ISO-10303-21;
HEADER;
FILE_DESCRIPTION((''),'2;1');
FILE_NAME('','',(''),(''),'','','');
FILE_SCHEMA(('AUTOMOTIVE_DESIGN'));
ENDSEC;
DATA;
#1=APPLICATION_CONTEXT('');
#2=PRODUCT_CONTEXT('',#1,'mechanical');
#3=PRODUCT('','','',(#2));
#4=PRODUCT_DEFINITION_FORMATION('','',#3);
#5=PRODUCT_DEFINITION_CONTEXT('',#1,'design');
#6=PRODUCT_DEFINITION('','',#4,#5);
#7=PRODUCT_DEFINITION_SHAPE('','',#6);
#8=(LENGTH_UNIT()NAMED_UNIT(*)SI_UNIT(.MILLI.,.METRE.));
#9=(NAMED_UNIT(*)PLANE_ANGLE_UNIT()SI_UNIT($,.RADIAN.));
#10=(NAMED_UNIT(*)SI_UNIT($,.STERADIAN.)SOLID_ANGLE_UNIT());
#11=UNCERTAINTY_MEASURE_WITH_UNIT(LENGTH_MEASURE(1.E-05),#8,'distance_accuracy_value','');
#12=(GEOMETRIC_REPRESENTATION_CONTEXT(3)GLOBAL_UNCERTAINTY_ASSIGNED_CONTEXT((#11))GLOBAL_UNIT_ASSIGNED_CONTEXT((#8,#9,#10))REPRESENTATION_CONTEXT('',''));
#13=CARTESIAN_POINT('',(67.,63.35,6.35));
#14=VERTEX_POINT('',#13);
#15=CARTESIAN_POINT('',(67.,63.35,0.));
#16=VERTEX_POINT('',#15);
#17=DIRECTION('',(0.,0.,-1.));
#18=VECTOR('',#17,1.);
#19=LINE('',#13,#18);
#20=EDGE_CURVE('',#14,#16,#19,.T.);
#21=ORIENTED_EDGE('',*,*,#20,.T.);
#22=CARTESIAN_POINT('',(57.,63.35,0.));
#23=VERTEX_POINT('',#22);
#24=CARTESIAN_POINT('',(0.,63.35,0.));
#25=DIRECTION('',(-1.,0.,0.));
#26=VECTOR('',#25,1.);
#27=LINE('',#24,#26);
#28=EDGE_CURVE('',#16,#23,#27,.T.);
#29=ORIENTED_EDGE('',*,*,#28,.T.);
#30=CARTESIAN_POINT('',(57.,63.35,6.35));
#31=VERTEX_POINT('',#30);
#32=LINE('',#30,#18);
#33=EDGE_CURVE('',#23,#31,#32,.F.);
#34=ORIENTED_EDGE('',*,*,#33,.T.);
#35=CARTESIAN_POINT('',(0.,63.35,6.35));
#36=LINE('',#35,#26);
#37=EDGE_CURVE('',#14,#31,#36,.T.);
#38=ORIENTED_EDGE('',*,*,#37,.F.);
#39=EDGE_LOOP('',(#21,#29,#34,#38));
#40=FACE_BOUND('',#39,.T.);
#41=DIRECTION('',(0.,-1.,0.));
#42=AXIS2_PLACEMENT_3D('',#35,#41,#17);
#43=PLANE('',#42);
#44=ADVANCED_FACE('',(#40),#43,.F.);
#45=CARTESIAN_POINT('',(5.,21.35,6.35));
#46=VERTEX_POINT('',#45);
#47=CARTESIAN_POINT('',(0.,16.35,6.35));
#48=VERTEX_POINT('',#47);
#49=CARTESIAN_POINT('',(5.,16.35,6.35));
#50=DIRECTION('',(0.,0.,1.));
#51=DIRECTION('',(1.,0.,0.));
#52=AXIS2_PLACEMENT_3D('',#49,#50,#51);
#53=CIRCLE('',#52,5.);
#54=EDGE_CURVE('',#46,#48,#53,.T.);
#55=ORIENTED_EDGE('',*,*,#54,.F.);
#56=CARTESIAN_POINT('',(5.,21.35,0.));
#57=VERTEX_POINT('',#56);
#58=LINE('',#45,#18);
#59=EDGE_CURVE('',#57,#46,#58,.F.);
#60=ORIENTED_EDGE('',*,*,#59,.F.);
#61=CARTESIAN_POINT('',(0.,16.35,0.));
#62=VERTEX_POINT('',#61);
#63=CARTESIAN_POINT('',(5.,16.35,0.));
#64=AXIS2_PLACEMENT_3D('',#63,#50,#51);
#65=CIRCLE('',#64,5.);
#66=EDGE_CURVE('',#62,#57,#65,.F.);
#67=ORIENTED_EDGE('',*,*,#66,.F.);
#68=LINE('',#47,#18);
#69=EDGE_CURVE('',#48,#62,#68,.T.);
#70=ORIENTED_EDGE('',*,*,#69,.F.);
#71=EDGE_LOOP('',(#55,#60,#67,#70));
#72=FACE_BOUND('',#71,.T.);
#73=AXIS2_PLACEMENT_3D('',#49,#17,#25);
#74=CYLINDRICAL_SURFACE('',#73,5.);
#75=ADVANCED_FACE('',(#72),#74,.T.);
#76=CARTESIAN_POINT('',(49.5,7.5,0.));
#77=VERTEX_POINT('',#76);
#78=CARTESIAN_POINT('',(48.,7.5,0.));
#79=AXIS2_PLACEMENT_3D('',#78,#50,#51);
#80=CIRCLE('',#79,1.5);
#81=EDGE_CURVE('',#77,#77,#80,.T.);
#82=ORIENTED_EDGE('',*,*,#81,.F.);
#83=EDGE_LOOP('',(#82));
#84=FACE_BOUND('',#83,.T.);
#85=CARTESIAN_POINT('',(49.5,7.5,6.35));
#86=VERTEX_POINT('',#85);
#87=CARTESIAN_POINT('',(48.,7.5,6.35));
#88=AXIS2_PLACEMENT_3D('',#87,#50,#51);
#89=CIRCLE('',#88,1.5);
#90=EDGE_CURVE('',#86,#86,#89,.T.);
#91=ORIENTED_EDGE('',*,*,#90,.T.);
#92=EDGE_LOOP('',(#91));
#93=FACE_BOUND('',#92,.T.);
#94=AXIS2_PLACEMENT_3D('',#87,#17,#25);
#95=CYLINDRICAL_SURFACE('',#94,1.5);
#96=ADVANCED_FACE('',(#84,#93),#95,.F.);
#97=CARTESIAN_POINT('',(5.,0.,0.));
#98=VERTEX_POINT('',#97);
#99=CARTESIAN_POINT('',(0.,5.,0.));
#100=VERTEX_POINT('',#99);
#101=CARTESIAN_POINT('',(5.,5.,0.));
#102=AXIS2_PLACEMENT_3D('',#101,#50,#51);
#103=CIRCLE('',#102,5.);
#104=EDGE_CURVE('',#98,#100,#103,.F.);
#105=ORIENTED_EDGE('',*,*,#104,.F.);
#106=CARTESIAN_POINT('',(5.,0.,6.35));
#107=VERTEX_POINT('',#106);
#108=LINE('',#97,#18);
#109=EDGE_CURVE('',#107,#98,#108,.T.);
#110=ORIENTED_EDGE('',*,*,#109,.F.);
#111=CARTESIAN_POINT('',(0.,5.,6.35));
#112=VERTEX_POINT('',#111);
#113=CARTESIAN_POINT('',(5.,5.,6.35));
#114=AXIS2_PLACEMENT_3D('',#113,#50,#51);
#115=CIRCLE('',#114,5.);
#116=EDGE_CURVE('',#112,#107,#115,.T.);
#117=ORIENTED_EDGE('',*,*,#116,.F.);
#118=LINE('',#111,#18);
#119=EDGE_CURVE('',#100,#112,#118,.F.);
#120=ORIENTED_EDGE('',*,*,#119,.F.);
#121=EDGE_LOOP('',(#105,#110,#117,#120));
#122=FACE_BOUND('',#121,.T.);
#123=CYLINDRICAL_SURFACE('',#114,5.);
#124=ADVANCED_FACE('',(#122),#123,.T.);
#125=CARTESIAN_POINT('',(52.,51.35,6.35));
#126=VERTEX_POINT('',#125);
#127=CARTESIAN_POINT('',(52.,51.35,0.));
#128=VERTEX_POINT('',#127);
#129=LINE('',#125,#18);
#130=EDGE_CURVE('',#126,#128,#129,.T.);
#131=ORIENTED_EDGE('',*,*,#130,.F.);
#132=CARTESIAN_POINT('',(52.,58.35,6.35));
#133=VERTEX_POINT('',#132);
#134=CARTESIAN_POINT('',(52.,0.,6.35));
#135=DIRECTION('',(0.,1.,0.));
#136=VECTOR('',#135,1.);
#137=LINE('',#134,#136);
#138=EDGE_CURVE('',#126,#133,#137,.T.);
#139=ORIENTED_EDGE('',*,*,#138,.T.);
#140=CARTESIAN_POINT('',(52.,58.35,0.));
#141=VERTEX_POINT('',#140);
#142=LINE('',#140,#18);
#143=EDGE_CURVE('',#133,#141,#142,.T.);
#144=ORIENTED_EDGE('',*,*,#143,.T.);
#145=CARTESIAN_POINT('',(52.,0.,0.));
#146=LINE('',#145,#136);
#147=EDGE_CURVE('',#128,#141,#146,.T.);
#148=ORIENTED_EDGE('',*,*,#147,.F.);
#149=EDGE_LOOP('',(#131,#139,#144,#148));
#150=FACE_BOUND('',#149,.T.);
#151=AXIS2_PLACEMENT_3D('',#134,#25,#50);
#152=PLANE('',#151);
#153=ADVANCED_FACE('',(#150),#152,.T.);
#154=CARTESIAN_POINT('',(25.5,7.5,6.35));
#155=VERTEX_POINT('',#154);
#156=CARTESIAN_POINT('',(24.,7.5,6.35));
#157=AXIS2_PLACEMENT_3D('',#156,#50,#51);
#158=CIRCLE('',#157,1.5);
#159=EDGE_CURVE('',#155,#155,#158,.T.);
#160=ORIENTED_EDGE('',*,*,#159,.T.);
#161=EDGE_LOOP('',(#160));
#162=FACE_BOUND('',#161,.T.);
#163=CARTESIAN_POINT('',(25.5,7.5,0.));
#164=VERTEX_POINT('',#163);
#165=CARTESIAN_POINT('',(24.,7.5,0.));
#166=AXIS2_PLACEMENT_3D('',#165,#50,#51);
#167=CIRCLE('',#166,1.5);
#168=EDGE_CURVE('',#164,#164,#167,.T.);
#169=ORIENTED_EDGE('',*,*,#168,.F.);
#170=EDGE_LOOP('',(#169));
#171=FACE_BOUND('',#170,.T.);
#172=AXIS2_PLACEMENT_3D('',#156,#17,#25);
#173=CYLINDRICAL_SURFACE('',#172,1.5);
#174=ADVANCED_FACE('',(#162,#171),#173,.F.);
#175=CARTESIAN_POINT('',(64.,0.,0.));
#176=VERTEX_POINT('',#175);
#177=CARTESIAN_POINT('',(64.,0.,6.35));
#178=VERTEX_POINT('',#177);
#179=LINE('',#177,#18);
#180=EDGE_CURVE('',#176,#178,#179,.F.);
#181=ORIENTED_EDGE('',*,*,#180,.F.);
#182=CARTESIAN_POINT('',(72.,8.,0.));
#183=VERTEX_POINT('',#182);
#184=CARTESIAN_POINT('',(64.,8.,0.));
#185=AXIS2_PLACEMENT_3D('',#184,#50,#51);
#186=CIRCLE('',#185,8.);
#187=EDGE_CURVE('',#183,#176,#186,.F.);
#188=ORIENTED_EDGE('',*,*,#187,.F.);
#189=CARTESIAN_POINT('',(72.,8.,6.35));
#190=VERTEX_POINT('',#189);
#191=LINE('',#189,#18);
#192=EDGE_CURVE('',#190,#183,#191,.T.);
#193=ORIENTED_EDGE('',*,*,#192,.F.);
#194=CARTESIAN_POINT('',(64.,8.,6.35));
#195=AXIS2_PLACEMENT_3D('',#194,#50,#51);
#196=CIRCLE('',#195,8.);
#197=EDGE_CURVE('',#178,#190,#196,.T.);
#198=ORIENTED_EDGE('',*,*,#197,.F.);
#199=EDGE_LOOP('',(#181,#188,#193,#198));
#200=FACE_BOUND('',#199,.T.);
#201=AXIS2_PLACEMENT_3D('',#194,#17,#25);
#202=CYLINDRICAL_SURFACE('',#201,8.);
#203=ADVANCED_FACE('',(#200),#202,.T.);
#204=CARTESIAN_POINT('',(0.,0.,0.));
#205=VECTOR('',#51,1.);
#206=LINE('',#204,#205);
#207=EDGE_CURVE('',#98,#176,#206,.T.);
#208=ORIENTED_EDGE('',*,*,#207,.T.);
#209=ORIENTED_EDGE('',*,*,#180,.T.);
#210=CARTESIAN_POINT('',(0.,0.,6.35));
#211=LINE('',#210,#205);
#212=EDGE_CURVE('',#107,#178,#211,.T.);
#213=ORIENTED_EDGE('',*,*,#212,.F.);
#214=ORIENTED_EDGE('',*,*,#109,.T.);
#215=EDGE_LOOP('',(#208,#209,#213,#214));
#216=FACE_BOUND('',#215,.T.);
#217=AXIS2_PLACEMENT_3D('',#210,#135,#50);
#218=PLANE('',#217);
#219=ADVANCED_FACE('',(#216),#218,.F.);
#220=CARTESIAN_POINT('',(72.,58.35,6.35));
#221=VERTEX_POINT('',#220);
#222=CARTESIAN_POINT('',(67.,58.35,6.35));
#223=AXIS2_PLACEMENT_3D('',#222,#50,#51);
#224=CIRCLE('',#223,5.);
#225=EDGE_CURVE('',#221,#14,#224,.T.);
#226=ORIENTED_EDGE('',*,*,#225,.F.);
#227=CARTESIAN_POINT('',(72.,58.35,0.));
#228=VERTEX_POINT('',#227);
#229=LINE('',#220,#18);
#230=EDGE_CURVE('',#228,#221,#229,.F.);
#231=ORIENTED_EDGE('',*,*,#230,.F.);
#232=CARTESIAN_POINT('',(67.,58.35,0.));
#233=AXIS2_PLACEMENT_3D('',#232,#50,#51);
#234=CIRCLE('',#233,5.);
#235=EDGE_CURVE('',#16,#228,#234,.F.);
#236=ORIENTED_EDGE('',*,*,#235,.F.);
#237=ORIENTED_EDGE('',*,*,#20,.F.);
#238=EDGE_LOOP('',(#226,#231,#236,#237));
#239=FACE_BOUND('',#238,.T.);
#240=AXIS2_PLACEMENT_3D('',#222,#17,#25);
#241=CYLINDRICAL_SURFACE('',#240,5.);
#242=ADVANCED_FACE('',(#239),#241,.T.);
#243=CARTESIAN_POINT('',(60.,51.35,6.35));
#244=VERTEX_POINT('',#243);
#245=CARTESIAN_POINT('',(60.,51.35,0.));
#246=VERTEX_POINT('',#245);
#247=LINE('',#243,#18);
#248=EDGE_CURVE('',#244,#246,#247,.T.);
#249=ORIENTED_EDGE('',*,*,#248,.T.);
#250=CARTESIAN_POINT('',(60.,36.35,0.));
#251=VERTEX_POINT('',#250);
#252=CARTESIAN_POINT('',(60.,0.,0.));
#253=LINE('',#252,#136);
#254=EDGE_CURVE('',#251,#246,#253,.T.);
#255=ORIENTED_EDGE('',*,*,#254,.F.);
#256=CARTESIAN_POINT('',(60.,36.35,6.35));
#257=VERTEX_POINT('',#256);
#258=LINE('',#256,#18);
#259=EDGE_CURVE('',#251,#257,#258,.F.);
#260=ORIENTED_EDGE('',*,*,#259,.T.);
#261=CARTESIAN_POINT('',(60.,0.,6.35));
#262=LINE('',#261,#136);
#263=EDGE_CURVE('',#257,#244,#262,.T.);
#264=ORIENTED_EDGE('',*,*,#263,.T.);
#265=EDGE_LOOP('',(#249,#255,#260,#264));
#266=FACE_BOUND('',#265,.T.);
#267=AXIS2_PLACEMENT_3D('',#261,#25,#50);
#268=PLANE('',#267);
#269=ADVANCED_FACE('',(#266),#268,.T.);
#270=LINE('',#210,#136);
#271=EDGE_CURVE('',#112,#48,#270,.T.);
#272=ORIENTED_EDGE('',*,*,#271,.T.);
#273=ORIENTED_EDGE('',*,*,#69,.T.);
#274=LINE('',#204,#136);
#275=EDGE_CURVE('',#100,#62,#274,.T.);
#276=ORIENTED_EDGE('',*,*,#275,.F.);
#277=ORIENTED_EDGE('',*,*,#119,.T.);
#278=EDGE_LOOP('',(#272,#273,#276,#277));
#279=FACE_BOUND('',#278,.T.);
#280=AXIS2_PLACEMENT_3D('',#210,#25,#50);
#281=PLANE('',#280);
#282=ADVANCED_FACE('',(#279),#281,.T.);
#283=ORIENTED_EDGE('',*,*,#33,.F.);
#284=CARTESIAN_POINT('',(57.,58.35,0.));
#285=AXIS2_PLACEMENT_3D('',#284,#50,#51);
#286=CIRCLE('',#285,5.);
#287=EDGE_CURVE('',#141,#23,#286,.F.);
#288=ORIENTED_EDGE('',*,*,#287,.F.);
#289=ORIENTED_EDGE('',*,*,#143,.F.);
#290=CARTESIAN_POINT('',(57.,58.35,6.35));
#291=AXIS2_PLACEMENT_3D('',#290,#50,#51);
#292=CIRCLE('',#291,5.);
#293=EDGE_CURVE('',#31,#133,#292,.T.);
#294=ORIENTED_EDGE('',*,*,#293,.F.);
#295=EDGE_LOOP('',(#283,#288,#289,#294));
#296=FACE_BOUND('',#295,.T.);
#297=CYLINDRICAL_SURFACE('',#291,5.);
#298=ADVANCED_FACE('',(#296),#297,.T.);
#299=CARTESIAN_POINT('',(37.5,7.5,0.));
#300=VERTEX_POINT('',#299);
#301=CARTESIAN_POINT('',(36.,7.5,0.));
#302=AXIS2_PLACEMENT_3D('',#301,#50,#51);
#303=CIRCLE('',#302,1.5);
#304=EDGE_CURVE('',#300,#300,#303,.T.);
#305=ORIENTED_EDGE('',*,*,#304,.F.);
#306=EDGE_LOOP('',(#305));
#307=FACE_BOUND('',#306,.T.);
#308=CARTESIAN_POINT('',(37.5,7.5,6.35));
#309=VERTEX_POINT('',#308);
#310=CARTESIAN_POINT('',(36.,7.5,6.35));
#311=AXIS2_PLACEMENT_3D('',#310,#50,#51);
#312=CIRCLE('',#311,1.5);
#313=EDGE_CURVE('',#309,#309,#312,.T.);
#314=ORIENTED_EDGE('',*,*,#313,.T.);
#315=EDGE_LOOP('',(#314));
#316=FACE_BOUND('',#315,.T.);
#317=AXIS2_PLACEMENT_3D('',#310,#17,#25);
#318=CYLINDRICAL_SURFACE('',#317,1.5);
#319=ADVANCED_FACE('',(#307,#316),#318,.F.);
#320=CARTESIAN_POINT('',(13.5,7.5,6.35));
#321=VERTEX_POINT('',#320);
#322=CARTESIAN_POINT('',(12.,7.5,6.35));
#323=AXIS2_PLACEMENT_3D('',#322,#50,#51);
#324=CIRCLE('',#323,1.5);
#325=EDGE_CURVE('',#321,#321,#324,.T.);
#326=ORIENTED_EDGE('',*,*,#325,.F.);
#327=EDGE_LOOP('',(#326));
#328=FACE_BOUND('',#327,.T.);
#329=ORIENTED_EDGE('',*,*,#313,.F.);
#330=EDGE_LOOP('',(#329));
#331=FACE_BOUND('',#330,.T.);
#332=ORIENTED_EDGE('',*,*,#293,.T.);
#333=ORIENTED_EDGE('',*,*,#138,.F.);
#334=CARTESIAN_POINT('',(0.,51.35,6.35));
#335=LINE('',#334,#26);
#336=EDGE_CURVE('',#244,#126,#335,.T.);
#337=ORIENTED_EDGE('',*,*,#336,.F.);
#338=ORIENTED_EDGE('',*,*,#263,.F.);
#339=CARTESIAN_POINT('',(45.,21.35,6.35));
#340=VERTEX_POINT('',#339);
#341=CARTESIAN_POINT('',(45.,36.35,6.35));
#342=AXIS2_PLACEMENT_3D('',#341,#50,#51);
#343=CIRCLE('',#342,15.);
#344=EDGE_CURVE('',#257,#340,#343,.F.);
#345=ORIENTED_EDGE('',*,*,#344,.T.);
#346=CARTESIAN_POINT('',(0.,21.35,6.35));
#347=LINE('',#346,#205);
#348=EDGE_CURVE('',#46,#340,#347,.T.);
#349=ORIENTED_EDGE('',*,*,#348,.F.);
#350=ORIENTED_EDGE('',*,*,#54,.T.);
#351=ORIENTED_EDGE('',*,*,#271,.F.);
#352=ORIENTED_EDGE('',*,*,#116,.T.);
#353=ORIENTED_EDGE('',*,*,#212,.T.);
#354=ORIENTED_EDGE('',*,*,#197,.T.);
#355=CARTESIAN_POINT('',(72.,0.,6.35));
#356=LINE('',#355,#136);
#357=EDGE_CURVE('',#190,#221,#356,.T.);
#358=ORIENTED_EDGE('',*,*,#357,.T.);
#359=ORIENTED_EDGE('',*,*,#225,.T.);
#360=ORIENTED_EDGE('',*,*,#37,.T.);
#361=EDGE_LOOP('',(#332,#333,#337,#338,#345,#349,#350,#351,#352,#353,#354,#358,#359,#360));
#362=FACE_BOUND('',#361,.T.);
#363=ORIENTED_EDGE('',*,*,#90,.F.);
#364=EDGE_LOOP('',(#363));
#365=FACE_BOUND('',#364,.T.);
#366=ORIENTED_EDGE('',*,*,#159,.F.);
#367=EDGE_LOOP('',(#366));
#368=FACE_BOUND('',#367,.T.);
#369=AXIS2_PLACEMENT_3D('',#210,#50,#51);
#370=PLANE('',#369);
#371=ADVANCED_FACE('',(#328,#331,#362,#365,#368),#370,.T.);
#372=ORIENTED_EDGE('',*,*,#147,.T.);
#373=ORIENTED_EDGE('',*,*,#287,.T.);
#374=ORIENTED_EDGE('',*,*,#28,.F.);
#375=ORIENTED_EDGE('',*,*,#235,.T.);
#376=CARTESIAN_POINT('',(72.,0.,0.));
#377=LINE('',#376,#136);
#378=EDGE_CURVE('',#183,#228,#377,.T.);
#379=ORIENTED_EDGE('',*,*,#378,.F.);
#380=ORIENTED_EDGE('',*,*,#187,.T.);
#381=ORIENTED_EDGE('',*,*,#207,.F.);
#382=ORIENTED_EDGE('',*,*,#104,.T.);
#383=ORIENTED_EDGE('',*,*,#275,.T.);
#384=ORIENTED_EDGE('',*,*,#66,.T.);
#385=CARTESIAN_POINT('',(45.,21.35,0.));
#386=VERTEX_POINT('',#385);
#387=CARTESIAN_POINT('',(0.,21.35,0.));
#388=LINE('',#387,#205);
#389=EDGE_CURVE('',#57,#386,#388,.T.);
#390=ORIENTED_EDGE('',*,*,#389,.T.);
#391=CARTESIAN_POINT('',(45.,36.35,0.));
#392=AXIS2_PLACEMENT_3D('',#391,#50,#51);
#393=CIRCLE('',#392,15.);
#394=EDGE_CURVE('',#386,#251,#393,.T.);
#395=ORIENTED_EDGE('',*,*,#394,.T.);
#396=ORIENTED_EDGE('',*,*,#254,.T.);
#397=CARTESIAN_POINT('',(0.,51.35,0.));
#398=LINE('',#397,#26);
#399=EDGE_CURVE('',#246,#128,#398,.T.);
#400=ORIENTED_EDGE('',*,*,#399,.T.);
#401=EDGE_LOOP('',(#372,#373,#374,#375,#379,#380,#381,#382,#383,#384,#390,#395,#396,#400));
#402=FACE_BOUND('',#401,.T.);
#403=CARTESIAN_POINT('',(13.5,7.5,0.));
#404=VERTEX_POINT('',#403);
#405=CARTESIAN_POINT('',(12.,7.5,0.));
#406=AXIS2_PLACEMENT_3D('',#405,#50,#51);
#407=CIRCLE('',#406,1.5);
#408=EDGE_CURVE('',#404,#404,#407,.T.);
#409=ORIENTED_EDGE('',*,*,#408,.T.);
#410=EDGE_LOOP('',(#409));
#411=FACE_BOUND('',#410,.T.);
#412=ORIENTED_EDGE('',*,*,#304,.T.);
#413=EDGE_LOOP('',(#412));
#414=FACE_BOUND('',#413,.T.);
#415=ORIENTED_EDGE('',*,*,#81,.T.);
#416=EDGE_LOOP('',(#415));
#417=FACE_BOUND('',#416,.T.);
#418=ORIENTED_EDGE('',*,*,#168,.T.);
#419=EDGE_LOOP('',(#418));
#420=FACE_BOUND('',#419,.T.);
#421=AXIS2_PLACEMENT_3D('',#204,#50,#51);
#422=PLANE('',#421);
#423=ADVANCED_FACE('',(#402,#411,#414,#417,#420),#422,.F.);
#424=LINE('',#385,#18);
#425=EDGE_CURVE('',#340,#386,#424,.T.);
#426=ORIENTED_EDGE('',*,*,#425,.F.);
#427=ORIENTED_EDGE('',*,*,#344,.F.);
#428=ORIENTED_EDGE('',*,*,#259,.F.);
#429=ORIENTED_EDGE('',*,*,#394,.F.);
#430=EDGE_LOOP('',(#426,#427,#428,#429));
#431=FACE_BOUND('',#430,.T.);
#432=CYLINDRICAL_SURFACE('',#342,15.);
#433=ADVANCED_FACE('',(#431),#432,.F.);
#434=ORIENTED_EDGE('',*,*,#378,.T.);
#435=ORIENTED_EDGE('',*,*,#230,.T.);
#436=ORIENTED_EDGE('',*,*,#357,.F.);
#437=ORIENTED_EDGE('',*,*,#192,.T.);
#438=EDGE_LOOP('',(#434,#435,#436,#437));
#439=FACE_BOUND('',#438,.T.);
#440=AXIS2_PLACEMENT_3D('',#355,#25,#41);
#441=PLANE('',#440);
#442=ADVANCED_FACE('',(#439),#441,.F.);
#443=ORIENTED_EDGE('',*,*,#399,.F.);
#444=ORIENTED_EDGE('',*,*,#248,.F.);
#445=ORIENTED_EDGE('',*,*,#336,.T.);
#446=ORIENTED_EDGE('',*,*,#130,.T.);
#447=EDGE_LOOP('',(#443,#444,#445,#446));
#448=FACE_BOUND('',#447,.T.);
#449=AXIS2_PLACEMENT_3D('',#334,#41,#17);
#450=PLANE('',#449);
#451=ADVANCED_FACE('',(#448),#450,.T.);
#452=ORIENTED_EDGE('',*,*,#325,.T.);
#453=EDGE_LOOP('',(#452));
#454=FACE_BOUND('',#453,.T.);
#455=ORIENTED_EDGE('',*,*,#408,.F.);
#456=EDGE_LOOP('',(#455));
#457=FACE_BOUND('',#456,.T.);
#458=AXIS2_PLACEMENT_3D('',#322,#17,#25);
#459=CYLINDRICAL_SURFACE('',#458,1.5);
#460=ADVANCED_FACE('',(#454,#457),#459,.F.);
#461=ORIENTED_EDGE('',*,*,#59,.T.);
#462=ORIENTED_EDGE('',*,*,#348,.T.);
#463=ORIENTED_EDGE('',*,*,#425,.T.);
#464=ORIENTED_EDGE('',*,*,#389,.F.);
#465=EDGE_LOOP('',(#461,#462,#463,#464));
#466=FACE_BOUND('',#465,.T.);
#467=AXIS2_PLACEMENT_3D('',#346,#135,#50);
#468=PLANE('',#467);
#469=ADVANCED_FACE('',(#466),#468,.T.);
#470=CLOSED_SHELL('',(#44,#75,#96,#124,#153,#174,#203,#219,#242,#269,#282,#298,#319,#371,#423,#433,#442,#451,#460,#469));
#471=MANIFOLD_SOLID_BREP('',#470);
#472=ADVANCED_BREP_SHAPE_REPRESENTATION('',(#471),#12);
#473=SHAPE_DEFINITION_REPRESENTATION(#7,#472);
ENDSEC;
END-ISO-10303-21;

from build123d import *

# Parameters (mm, degrees)
SKETCH1_W           = 60
SKETCH1_H           = 21.35
SKETCH1_R           = 1.5
BOSS_EXTRUDE1_DEPTH = 6.35
FILLET1_R           = 15
FILLET3_R           = 5
FILLET5_R           = 5
FILLET6_R           = 5
FILLET7_R           = 8


with BuildPart() as part:
    # Sketch1 → Boss-Extrude1 (new body)
    with BuildSketch(Plane.XY):
        with Locations((30, 10.675)):
            Rectangle(SKETCH1_W, SKETCH1_H)
        with Locations((12, 7.5)):
            Circle(SKETCH1_R, mode=Mode.SUBTRACT)
        with Locations((24, 7.5)):
            Circle(SKETCH1_R, mode=Mode.SUBTRACT)
        with Locations((36, 7.5)):
            Circle(SKETCH1_R, mode=Mode.SUBTRACT)
        with Locations((48, 7.5)):
            Circle(SKETCH1_R, mode=Mode.SUBTRACT)
        Polygon((60, 21.35), (60, 0), (72, 0), (72, 51.35), (60, 51.35), align=None)
        Polygon((52, 51.35), (60, 51.35), (72, 51.35), (72, 63.35), (52, 63.35), align=None)
    extrude(amount=BOSS_EXTRUDE1_DEPTH)

    # Fillet1
    fillet1_edges = [part.edges().sort_by_distance(p)[0] for p in [
        (60, 21.35, 3.175),
    ]]
    fillet(fillet1_edges, radius=FILLET1_R)

    # Fillet3
    fillet3_edges = [part.edges().sort_by_distance(p)[0] for p in [
        (52, 63.35, 3.175),
    ]]
    fillet(fillet3_edges, radius=FILLET3_R)

    # Fillet5
    fillet5_edges = [part.edges().sort_by_distance(p)[0] for p in [
        (0, 0, 3.175),
        (0, 21.35, 3.175),
    ]]
    fillet(fillet5_edges, radius=FILLET5_R)

    # Fillet6
    fillet6_edges = [part.edges().sort_by_distance(p)[0] for p in [
        (72, 63.35, 3.175),
    ]]
    fillet(fillet6_edges, radius=FILLET6_R)

    # Fillet7
    fillet7_edges = [part.edges().sort_by_distance(p)[0] for p in [
        (72, 0, 3.175),
    ]]
    fillet(fillet7_edges, radius=FILLET7_R)


solid = part.part
